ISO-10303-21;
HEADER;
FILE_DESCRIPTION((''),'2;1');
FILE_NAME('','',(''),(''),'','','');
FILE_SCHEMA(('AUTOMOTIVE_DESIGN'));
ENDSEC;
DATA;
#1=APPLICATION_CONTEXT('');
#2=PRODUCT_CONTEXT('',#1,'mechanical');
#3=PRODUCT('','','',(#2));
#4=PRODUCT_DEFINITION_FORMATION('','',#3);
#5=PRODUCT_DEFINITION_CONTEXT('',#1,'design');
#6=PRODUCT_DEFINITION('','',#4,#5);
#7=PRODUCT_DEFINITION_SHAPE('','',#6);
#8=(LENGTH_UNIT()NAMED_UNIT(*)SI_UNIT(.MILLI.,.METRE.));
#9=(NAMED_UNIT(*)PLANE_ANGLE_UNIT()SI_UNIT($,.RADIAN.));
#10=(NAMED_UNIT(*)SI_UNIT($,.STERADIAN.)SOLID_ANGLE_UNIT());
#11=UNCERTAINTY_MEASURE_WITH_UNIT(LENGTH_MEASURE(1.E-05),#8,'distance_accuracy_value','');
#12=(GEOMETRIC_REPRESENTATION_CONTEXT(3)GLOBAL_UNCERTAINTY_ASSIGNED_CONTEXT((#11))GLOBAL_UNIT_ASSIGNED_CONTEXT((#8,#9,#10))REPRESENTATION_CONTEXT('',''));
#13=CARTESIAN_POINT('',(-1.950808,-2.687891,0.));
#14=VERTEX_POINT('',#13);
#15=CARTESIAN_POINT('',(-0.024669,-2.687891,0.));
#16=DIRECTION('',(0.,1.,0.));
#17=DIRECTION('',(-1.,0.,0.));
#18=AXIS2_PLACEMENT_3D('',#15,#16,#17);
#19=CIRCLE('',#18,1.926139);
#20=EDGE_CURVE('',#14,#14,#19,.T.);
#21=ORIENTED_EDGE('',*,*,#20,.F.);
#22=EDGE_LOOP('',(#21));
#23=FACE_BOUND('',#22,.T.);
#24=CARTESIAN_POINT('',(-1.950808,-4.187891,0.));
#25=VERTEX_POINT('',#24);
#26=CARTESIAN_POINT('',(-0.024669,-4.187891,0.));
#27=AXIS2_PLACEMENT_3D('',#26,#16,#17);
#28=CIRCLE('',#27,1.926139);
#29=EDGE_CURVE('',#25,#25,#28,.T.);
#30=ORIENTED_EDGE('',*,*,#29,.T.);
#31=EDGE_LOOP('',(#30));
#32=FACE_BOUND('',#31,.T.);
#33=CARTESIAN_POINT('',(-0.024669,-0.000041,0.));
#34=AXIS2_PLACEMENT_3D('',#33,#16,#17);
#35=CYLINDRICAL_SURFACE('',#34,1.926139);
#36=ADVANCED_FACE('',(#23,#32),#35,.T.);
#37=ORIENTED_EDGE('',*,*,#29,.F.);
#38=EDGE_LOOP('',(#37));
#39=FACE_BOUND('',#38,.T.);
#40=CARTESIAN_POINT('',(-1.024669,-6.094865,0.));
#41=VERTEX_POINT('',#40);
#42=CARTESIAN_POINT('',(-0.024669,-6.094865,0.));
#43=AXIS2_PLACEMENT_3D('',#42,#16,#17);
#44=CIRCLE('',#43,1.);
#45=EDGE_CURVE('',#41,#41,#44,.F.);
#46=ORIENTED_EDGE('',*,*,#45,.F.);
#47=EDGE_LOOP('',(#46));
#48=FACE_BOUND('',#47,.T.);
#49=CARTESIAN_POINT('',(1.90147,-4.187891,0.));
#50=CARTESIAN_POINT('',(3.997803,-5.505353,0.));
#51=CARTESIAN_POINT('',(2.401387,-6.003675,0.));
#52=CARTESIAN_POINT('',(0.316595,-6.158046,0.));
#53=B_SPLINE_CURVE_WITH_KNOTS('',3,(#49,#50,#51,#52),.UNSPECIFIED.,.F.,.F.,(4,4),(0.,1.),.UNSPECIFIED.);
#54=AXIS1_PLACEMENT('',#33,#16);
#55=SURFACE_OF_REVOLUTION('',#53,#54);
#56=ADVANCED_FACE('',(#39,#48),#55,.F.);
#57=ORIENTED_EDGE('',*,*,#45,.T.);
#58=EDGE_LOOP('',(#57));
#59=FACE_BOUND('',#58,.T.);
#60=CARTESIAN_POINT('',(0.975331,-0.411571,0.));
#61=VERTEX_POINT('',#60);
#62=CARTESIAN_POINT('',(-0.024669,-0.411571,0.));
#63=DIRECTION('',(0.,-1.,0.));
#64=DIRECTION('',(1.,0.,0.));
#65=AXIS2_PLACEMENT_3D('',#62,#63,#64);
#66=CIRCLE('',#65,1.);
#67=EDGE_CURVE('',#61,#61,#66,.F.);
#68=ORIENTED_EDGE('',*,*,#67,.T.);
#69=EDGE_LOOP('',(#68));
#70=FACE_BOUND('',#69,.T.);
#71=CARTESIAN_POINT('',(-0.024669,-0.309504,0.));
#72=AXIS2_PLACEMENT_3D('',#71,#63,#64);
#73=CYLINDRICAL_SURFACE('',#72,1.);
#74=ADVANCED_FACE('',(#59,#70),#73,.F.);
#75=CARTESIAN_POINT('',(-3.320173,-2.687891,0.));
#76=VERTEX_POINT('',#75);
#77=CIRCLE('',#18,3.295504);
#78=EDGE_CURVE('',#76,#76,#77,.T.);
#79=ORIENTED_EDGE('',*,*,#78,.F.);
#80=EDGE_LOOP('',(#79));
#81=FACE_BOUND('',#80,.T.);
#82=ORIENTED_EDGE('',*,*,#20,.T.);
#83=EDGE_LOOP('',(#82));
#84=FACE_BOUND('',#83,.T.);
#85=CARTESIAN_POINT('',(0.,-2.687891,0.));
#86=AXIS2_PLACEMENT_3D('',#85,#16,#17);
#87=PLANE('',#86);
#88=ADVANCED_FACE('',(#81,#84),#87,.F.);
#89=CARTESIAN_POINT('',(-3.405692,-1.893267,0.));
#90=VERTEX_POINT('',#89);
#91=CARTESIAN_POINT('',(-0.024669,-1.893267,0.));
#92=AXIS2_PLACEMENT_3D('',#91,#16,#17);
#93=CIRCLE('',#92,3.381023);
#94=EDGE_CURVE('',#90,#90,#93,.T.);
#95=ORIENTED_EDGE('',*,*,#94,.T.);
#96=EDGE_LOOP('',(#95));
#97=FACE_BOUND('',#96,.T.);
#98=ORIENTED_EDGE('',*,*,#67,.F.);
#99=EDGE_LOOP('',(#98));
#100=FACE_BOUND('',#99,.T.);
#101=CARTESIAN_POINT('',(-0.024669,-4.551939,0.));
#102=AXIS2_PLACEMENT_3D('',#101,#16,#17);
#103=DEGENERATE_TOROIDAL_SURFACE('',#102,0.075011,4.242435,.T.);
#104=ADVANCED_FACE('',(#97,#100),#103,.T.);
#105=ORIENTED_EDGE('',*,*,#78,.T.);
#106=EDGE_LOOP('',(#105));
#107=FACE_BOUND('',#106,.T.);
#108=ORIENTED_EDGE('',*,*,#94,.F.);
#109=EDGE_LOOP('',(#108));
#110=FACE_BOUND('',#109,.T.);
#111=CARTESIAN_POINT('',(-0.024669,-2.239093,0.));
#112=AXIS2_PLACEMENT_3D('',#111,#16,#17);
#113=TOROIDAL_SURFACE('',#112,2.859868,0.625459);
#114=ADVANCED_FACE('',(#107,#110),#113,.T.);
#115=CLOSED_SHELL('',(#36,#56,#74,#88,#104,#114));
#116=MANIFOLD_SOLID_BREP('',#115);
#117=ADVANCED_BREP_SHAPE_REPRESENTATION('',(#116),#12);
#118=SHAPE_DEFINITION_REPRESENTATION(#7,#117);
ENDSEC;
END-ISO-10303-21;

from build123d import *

# Parameters (mm, degrees)
SKETCH2_R          = 1
CUT_EXTRUDE2_DEPTH = 8.659830556


with BuildPart() as part:
    # Sketch1 → Revolve1 (revolve)
    with BuildSketch(Plane.XY, mode=Mode.PRIVATE) as revolve1_sk:
        with BuildLine():
            add(Edge.make_bspline(
                [(1.901469747, -4.187890833), (3.997803393, -5.505352851), (2.40138715, -6.003675185), (0.316595481, -6.158045679)],
                knots=[0, 0, 0, 0, 1, 1, 1, 1], degree=3))
            Line((1.901469747, -4.187890833), (1.901469747, -2.687890833))
            Line((1.901469747, -2.687890833), (3.270835138, -2.687890833))
            ThreePointArc((3.270835138, -2.687890833), (3.457066196, -2.306019715), (3.356353959, -1.893267243))
            ThreePointArc((3.356353959, -1.893267243), (3.314000681, -1.841444099), (3.270835138, -1.790295548))
            ThreePointArc((3.270835138, -1.790295548), (1.788504548, -0.681920638), (-0.024669059, -0.310167514))
            Line((-0.024669059, -0.310167514), (-0.024669059, -6.158045679))
            Line((-0.024669059, -6.158045679), (0.316595481, -6.158045679))
        make_face()
    revolve(revolve1_sk.sketch.rotate(Axis((-0.024669059, -4.1454e-05, 0), (0, -1, 0)), 180), axis=Axis((-0.024669059, -4.1454e-05, 0), (0, -1, 0)))

    # Sketch2 → Cut-Extrude2 (cut, through all)
    with BuildSketch(Plane(origin=(0, -6.158045679, 0), x_dir=(-1, 0, 0), z_dir=(0, -1, 0))):
        with Locations((0.024669059, 0)):
            Circle(SKETCH2_R)
    extrude(amount=-CUT_EXTRUDE2_DEPTH, mode=Mode.SUBTRACT)


solid = part.part
